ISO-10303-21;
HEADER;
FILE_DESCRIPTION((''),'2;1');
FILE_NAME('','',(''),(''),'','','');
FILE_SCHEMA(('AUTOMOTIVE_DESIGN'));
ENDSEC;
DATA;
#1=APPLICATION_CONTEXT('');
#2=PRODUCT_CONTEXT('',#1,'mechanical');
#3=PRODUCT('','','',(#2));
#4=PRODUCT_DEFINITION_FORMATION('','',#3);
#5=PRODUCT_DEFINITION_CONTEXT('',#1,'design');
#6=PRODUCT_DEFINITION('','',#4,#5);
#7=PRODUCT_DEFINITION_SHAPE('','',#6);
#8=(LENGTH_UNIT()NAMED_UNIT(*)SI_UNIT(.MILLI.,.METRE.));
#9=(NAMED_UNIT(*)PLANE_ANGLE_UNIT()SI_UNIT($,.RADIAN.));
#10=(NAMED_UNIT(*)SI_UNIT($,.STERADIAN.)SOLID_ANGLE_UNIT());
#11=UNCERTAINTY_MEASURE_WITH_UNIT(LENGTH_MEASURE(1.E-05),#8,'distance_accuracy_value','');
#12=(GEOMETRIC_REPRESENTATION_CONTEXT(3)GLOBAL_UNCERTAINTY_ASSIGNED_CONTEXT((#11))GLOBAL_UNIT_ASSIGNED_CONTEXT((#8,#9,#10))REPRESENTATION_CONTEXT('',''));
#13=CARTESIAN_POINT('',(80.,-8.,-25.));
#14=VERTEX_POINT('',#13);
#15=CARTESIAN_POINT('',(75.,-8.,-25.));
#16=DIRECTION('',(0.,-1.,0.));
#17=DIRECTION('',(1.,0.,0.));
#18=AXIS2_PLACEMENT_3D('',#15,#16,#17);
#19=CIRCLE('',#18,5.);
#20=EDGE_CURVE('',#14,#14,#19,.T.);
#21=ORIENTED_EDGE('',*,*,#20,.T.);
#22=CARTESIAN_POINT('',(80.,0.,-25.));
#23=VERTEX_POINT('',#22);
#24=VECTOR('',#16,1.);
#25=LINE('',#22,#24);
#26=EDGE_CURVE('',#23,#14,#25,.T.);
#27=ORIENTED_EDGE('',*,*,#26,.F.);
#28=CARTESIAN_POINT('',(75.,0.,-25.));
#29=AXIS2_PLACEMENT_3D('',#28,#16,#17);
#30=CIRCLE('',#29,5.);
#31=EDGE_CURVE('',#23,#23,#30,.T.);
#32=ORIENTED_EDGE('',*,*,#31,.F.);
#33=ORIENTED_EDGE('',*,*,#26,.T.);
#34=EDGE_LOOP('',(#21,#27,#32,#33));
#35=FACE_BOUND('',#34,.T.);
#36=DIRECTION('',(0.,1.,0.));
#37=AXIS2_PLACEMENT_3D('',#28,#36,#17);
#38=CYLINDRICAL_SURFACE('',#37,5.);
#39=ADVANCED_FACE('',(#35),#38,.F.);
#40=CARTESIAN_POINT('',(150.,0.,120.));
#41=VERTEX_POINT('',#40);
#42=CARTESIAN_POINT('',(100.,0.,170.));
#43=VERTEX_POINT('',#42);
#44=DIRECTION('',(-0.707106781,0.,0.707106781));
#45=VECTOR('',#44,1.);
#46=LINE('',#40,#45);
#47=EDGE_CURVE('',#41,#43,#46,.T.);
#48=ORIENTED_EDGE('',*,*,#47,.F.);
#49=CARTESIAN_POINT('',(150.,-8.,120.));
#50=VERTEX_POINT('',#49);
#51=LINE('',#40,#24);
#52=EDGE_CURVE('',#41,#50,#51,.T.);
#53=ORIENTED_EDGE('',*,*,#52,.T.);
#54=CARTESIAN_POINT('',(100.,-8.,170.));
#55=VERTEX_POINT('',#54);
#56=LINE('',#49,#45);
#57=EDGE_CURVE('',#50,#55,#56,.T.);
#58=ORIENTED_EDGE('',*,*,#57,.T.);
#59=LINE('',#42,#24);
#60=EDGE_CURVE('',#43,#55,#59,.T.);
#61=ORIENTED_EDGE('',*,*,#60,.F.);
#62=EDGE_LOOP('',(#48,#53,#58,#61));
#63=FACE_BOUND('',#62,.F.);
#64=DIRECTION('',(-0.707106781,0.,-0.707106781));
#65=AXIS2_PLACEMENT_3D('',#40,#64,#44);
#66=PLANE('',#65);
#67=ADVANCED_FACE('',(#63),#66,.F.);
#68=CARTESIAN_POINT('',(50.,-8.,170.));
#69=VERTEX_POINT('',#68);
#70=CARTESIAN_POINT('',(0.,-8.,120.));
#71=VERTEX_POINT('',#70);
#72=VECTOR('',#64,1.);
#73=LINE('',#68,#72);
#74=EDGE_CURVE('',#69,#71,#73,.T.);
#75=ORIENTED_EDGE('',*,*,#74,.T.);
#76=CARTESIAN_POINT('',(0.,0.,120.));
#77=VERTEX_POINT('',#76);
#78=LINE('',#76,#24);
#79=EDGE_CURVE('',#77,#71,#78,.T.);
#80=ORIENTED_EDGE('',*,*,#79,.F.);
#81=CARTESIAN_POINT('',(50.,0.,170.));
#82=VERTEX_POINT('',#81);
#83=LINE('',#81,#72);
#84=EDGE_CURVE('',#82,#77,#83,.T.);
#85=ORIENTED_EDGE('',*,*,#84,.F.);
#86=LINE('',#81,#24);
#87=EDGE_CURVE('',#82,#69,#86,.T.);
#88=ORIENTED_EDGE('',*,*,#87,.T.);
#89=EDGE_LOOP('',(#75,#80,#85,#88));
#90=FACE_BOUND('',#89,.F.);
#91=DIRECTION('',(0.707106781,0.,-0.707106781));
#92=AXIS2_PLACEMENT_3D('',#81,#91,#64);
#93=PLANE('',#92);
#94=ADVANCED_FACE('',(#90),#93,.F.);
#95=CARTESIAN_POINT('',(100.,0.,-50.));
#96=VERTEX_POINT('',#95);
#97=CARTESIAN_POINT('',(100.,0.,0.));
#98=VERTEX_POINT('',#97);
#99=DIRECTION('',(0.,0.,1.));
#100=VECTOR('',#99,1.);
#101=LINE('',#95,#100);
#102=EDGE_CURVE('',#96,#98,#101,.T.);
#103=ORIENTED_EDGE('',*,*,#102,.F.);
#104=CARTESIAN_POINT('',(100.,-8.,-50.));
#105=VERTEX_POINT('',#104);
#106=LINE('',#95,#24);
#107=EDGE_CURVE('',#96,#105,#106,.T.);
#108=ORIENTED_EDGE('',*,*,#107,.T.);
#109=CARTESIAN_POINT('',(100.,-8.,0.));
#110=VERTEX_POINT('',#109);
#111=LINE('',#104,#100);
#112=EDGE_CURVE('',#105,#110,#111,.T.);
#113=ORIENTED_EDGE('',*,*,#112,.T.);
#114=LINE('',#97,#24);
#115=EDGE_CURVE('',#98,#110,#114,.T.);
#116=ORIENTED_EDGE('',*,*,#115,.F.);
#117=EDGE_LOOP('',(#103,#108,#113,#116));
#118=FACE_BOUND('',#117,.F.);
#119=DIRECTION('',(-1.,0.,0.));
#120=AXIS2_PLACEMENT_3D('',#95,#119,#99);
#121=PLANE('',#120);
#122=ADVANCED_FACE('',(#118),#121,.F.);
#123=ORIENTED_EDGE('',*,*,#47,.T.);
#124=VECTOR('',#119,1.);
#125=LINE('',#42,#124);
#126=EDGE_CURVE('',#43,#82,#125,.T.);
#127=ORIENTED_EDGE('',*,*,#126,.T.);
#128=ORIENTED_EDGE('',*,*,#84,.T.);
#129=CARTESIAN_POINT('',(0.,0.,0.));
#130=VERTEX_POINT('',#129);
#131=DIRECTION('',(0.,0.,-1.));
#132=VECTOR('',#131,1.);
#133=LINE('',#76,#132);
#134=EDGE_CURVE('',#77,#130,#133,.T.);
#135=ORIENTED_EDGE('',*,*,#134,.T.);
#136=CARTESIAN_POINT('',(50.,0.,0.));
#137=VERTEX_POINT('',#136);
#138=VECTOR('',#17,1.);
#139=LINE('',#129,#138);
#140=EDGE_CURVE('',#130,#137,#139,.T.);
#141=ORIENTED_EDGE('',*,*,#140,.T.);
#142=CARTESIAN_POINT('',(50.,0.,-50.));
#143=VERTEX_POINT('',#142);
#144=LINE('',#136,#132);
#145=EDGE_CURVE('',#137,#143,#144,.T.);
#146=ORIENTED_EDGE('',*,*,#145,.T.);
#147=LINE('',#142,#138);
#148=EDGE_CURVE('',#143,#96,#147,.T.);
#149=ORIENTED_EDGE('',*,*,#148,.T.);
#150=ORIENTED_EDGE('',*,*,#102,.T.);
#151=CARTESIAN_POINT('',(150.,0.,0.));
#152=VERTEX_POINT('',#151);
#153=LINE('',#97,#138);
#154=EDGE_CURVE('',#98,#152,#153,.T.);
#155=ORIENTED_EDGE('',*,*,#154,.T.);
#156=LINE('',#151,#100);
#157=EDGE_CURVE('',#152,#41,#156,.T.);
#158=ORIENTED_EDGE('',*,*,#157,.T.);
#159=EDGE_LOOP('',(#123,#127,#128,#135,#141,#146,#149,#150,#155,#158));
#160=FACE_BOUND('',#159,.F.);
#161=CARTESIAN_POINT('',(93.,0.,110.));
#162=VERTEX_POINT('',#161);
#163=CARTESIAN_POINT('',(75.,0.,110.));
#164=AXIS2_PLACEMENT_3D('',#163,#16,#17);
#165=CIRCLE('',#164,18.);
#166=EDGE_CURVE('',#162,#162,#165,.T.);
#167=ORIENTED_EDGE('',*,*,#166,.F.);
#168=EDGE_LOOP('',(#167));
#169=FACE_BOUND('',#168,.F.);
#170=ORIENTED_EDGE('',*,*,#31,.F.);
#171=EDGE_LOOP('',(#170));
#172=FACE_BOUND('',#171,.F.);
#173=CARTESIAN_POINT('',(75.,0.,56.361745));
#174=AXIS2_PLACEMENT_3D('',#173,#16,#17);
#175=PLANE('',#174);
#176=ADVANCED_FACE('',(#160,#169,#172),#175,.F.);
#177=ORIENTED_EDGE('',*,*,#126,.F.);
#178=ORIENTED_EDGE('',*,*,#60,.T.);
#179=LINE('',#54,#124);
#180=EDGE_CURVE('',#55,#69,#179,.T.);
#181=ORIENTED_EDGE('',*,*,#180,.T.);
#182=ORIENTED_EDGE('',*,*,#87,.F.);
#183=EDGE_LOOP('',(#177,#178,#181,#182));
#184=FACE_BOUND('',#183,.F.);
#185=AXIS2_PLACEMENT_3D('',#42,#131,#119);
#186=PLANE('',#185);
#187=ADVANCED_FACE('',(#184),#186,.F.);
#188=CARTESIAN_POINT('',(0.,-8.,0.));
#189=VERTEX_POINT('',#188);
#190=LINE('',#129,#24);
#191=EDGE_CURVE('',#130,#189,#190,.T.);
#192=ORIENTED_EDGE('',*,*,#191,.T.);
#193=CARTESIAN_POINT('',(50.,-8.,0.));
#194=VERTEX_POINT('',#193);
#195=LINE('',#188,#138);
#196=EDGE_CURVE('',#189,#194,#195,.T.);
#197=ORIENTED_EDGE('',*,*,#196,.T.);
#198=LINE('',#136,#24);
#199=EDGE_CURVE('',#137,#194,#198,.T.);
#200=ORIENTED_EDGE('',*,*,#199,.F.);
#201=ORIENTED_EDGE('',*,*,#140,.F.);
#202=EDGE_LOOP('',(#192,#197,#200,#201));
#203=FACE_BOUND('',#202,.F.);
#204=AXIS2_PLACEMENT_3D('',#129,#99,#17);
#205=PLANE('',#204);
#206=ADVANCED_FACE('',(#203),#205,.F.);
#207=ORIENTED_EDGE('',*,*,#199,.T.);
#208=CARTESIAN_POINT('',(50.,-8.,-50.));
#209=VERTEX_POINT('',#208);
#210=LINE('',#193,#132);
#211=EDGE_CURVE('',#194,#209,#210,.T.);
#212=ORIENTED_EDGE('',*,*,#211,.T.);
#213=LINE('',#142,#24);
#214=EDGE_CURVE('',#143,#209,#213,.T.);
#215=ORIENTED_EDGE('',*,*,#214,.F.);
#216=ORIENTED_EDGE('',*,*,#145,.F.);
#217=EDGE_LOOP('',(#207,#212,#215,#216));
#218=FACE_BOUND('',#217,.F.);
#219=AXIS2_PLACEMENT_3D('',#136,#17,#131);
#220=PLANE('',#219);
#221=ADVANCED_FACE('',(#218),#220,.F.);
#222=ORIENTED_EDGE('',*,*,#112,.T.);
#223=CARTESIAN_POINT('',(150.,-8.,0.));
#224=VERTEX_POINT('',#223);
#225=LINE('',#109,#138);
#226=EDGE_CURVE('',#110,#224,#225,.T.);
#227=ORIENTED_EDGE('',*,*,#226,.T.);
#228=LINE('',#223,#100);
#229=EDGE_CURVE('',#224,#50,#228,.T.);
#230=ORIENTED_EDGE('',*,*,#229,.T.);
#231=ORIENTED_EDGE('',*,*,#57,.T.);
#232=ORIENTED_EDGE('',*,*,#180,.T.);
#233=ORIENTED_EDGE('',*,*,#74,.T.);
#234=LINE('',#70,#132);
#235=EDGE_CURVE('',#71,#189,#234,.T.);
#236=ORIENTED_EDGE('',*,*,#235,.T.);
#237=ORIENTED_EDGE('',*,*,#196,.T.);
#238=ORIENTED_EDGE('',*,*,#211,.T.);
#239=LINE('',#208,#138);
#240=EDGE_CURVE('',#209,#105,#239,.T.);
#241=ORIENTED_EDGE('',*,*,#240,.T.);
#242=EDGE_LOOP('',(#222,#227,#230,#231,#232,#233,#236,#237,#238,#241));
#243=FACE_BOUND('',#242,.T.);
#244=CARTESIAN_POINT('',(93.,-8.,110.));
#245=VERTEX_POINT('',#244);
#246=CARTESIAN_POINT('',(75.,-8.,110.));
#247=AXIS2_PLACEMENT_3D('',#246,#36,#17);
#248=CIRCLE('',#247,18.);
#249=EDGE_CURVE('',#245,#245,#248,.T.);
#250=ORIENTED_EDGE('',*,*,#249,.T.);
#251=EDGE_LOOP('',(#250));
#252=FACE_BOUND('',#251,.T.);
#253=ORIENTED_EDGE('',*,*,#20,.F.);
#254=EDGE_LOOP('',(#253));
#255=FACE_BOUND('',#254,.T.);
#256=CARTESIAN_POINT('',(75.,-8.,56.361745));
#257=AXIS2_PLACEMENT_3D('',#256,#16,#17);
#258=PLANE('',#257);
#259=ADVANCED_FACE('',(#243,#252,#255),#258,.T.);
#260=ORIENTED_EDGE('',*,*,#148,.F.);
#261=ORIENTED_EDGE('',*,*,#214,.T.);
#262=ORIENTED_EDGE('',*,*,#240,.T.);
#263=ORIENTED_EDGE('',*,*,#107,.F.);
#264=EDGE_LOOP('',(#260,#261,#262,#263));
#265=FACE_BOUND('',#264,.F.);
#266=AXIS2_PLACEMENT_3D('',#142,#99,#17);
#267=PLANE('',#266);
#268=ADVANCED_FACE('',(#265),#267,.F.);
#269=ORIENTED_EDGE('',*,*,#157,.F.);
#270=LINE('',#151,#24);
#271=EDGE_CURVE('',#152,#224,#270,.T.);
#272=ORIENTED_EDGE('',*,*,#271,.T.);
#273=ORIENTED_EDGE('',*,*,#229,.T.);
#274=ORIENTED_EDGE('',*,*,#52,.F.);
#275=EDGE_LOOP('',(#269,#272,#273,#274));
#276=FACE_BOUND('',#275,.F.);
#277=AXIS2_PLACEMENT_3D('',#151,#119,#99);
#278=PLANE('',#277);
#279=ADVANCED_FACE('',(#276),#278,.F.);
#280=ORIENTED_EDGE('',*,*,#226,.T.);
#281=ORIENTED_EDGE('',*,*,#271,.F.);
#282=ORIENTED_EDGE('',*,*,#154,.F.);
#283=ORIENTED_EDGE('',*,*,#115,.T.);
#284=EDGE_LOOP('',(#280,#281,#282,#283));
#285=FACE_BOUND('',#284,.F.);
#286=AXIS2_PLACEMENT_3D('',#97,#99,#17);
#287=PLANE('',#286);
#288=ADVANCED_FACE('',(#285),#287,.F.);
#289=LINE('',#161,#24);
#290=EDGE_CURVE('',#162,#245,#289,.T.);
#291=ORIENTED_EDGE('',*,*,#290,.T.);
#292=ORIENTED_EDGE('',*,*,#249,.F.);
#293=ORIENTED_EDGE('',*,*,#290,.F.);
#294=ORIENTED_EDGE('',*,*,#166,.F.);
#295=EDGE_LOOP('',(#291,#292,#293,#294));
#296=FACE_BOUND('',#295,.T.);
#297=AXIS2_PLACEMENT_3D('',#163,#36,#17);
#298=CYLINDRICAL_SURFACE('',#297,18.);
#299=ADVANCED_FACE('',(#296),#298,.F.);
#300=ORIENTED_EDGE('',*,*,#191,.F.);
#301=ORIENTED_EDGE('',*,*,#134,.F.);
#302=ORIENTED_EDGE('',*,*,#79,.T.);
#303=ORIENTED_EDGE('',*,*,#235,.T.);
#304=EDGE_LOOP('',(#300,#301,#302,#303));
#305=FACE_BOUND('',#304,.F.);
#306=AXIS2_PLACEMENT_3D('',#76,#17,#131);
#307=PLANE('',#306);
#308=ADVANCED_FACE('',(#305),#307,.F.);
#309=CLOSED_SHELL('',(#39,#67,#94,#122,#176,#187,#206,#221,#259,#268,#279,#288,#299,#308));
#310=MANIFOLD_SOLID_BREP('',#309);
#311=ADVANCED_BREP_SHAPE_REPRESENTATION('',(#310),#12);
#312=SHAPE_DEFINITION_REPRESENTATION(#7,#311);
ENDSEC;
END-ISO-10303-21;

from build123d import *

# Parameters (mm, degrees)
SKETCH_R     = 5
PAD_DEPTH    = 8
SKETCH001_R  = 18
POCKET_DEPTH = 8.001


with BuildPart() as part:
    # Sketch → Pad (new body)
    with BuildSketch(Plane.XZ):
        Polygon((0, 0), (50, 0), (50, -50), (100, -50), (100, 0), (150, 0), (150, 120), (100, 170), (50, 170), (0, 120), align=None)
        with Locations((75, -25)):
            Circle(SKETCH_R, mode=Mode.SUBTRACT)
    extrude(amount=PAD_DEPTH)

    # Sketch001 → Pocket (cut, through all)
    with BuildSketch(Plane.XZ):
        with Locations((75, 110)):
            Circle(SKETCH001_R)
    extrude(amount=POCKET_DEPTH, mode=Mode.SUBTRACT)


solid = part.part
